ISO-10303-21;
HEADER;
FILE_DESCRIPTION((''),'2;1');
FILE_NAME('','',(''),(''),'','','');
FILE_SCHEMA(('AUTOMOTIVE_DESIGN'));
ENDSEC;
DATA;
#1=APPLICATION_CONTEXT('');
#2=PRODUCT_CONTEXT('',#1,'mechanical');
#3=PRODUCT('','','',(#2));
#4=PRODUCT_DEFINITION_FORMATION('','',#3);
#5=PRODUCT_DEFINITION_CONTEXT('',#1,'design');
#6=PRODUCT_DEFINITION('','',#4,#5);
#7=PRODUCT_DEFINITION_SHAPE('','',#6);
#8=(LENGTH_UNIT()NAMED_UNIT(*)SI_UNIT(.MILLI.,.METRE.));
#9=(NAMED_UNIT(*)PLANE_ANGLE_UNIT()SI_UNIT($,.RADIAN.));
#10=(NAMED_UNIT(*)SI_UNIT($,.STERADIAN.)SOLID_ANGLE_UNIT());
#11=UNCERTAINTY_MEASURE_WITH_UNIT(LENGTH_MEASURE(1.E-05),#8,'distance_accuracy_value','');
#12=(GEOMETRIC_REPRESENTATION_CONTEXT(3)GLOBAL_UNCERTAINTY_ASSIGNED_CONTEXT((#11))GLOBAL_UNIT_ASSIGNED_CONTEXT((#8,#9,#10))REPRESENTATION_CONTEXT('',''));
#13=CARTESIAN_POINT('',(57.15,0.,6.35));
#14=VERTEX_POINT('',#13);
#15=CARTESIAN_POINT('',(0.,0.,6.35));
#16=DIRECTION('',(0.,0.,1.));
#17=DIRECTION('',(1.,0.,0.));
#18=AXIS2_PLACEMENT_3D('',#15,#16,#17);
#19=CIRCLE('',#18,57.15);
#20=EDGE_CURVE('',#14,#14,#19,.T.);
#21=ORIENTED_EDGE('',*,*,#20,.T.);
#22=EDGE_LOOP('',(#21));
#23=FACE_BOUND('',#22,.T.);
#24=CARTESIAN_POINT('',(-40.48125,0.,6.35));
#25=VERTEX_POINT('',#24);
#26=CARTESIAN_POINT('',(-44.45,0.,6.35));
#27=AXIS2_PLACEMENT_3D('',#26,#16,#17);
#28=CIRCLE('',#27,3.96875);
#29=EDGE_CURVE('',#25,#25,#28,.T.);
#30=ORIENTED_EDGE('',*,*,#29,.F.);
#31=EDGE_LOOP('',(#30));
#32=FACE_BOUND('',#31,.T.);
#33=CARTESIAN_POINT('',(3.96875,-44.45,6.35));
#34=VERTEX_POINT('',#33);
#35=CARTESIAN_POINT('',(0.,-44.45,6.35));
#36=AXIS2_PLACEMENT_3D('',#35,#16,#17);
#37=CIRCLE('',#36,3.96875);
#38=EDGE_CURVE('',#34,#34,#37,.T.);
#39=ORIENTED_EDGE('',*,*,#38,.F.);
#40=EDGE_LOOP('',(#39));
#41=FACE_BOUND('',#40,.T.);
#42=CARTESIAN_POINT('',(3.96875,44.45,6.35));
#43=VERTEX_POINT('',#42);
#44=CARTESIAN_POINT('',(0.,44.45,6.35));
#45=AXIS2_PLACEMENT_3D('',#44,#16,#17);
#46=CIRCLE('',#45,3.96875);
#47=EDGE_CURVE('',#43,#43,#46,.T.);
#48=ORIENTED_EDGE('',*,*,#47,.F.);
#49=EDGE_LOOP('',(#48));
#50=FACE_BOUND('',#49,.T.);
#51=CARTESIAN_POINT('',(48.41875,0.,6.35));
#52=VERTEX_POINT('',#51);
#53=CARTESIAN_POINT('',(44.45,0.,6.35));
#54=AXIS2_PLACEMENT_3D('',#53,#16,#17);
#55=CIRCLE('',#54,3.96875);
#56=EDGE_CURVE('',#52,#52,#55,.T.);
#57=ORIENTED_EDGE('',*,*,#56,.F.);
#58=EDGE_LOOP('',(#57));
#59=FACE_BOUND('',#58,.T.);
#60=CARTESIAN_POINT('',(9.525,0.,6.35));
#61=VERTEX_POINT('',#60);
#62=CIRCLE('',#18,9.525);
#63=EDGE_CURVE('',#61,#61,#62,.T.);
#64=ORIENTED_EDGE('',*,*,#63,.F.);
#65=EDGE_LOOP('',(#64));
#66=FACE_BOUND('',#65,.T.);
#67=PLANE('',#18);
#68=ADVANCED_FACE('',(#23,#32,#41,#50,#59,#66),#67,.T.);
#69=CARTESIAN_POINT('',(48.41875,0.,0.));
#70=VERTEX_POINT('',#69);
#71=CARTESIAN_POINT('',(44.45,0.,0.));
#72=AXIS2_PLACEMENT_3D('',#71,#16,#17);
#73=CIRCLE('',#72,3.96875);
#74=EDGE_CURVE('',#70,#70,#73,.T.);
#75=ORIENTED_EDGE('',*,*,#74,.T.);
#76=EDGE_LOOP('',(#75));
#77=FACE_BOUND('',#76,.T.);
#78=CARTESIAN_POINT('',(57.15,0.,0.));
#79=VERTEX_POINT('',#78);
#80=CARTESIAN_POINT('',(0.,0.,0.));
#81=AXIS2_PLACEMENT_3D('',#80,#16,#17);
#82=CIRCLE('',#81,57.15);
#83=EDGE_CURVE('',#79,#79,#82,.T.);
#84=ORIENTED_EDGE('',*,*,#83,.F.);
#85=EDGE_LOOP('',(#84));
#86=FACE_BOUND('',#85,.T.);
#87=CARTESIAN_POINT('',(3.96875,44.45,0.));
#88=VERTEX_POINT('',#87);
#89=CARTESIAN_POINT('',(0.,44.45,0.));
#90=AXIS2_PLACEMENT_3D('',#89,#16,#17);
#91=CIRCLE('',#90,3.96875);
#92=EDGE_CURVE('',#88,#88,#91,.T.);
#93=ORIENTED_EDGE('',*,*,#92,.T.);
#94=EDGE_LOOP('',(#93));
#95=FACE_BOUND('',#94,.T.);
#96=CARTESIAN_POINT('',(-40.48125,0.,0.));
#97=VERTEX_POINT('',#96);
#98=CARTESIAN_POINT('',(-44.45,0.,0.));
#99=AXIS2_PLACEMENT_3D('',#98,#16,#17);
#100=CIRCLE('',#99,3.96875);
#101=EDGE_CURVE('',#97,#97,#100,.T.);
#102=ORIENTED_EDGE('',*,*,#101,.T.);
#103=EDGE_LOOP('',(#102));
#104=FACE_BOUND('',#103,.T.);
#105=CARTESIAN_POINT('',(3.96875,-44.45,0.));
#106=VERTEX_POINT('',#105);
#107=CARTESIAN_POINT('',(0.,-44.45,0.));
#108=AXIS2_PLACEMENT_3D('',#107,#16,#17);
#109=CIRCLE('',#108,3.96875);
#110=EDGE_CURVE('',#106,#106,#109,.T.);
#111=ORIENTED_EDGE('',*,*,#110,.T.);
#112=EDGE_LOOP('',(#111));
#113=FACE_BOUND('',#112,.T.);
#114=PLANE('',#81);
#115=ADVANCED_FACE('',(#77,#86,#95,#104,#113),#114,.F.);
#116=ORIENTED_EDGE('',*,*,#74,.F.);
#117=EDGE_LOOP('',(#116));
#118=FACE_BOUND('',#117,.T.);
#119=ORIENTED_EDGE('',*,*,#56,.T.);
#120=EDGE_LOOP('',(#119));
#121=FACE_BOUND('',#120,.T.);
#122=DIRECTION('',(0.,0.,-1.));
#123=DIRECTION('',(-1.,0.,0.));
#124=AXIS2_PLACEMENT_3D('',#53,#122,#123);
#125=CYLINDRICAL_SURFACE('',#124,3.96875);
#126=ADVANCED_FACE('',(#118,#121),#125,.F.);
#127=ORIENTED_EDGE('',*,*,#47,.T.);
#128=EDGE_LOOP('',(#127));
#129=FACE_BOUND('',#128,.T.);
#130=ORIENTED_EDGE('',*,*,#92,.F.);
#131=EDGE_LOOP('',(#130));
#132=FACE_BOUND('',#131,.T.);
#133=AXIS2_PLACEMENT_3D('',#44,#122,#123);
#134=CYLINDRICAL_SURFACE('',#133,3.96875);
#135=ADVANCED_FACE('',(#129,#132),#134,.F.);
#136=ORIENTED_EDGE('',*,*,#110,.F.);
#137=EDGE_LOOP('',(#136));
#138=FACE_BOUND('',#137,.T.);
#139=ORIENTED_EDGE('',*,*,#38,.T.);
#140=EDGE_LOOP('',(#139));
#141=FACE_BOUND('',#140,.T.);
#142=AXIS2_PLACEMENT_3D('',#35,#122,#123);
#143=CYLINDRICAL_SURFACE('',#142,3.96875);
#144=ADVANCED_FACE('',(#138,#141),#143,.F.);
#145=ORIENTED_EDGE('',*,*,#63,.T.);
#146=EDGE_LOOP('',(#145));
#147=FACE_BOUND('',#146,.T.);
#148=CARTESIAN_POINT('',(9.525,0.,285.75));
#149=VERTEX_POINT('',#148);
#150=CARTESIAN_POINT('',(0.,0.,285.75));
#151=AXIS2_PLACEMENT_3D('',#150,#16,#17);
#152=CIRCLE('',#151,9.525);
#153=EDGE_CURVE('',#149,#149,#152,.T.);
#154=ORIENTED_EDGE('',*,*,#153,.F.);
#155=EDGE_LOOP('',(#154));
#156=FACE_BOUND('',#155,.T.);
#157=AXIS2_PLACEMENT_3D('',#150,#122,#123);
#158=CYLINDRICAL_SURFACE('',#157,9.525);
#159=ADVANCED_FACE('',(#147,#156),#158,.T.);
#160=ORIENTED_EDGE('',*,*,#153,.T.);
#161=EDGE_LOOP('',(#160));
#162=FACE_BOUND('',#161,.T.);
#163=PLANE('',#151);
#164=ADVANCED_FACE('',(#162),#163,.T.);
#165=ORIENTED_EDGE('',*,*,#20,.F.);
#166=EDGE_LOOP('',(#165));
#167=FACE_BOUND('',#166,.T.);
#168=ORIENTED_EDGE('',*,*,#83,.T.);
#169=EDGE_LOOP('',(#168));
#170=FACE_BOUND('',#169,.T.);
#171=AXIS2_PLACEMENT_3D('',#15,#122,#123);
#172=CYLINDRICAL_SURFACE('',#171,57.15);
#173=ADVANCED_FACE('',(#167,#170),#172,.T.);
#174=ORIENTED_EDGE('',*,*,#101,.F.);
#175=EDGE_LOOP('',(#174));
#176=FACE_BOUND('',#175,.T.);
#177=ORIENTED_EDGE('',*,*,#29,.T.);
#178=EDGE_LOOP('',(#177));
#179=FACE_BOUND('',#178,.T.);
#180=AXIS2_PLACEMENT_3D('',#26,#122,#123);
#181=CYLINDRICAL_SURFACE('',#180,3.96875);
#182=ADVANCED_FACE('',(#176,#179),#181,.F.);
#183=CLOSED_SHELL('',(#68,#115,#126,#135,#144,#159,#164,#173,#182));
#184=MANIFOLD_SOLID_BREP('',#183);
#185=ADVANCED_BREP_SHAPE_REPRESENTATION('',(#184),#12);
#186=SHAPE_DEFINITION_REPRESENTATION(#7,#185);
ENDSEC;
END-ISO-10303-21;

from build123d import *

# Parameters (mm, degrees)
SKETCH1_R           = 57.15
SKETCH1_R_2         = 3.96875
BOSS_EXTRUDE1_DEPTH = 6.35
SKETCH2_R           = 9.525
BOSS_EXTRUDE2_DEPTH = 279.4


with BuildPart() as part:
    # Sketch1 → Boss-Extrude1 (new body)
    with BuildSketch(Plane.XY):
        Circle(SKETCH1_R)
        with Locations((0, 44.45)):
            Circle(SKETCH1_R_2, mode=Mode.SUBTRACT)
        with Locations((44.45, 0)):
            Circle(SKETCH1_R_2, mode=Mode.SUBTRACT)
        with Locations((0, -44.45)):
            Circle(SKETCH1_R_2, mode=Mode.SUBTRACT)
        with Locations((-44.45, 0)):
            Circle(SKETCH1_R_2, mode=Mode.SUBTRACT)
    extrude(amount=BOSS_EXTRUDE1_DEPTH)

    # Sketch2 → Boss-Extrude2 (add)
    with BuildSketch(Plane.XY.offset(6.35)):
        Circle(SKETCH2_R)
    extrude(amount=BOSS_EXTRUDE2_DEPTH)


solid = part.part
